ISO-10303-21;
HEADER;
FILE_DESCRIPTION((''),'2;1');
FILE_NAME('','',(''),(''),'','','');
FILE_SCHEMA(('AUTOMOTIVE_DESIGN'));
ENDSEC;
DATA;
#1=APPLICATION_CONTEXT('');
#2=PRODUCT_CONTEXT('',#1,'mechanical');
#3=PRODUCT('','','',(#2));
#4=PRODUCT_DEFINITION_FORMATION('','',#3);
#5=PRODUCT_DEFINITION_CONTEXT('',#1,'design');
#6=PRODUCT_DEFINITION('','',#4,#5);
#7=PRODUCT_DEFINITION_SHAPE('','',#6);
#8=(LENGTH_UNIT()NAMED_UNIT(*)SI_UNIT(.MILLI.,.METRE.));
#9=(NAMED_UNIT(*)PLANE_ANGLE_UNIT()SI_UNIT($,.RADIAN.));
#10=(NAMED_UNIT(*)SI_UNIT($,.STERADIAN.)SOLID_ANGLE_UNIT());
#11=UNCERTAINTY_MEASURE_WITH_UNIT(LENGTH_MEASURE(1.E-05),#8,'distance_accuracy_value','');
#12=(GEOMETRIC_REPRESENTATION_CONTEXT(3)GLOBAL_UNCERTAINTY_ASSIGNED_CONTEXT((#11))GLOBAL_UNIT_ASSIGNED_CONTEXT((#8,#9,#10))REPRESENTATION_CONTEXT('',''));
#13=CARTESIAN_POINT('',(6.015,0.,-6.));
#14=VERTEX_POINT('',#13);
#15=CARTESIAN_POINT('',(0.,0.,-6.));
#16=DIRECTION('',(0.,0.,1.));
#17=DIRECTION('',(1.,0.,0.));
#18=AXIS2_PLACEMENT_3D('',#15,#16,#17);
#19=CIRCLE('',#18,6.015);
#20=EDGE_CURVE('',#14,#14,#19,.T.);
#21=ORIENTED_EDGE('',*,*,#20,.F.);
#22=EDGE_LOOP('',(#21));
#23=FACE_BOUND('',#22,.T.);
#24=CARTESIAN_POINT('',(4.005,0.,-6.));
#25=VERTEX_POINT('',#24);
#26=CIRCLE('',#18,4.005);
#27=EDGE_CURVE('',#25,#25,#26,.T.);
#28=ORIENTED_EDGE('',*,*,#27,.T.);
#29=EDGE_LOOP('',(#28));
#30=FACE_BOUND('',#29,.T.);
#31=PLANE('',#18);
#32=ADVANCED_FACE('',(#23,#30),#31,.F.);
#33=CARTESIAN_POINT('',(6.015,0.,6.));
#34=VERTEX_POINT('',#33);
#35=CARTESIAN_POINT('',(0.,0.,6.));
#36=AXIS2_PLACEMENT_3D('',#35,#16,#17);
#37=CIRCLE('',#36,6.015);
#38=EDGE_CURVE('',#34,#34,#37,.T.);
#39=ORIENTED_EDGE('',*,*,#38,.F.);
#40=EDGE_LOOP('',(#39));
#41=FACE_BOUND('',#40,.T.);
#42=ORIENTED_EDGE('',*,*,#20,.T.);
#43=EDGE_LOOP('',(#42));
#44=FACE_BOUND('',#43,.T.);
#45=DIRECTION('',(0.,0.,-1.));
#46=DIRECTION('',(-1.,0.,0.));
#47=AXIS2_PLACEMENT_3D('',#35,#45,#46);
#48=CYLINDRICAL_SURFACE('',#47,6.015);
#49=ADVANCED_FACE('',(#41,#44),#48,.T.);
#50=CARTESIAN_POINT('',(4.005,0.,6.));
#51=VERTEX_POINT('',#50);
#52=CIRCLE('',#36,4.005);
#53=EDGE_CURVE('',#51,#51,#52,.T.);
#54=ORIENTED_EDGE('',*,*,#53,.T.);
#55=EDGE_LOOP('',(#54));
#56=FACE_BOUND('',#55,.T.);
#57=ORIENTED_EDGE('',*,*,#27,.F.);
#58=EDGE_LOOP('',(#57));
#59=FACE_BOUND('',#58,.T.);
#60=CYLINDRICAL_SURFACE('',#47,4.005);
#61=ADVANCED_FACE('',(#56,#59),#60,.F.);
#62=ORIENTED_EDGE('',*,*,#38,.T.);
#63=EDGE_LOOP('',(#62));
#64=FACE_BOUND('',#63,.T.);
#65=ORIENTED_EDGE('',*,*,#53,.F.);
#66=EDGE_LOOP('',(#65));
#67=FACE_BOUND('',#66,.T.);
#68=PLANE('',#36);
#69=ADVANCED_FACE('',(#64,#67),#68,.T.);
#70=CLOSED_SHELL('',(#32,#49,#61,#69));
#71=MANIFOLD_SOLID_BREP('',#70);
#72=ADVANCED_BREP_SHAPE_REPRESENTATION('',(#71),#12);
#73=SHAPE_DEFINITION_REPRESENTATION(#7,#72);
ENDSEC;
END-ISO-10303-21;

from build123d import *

# Parameters (mm, degrees)
SKETCH1_R      = 6.015
SKETCH1_R_2    = 4.005
EXTRUDE1_DEPTH = 6


with BuildPart() as part:
    # Sketch1 → Extrude1 (new body, symmetric)
    with BuildSketch(Plane.XY):
        Circle(SKETCH1_R)
        Circle(SKETCH1_R_2, mode=Mode.SUBTRACT)
    extrude(amount=EXTRUDE1_DEPTH, both=True)


solid = part.part
